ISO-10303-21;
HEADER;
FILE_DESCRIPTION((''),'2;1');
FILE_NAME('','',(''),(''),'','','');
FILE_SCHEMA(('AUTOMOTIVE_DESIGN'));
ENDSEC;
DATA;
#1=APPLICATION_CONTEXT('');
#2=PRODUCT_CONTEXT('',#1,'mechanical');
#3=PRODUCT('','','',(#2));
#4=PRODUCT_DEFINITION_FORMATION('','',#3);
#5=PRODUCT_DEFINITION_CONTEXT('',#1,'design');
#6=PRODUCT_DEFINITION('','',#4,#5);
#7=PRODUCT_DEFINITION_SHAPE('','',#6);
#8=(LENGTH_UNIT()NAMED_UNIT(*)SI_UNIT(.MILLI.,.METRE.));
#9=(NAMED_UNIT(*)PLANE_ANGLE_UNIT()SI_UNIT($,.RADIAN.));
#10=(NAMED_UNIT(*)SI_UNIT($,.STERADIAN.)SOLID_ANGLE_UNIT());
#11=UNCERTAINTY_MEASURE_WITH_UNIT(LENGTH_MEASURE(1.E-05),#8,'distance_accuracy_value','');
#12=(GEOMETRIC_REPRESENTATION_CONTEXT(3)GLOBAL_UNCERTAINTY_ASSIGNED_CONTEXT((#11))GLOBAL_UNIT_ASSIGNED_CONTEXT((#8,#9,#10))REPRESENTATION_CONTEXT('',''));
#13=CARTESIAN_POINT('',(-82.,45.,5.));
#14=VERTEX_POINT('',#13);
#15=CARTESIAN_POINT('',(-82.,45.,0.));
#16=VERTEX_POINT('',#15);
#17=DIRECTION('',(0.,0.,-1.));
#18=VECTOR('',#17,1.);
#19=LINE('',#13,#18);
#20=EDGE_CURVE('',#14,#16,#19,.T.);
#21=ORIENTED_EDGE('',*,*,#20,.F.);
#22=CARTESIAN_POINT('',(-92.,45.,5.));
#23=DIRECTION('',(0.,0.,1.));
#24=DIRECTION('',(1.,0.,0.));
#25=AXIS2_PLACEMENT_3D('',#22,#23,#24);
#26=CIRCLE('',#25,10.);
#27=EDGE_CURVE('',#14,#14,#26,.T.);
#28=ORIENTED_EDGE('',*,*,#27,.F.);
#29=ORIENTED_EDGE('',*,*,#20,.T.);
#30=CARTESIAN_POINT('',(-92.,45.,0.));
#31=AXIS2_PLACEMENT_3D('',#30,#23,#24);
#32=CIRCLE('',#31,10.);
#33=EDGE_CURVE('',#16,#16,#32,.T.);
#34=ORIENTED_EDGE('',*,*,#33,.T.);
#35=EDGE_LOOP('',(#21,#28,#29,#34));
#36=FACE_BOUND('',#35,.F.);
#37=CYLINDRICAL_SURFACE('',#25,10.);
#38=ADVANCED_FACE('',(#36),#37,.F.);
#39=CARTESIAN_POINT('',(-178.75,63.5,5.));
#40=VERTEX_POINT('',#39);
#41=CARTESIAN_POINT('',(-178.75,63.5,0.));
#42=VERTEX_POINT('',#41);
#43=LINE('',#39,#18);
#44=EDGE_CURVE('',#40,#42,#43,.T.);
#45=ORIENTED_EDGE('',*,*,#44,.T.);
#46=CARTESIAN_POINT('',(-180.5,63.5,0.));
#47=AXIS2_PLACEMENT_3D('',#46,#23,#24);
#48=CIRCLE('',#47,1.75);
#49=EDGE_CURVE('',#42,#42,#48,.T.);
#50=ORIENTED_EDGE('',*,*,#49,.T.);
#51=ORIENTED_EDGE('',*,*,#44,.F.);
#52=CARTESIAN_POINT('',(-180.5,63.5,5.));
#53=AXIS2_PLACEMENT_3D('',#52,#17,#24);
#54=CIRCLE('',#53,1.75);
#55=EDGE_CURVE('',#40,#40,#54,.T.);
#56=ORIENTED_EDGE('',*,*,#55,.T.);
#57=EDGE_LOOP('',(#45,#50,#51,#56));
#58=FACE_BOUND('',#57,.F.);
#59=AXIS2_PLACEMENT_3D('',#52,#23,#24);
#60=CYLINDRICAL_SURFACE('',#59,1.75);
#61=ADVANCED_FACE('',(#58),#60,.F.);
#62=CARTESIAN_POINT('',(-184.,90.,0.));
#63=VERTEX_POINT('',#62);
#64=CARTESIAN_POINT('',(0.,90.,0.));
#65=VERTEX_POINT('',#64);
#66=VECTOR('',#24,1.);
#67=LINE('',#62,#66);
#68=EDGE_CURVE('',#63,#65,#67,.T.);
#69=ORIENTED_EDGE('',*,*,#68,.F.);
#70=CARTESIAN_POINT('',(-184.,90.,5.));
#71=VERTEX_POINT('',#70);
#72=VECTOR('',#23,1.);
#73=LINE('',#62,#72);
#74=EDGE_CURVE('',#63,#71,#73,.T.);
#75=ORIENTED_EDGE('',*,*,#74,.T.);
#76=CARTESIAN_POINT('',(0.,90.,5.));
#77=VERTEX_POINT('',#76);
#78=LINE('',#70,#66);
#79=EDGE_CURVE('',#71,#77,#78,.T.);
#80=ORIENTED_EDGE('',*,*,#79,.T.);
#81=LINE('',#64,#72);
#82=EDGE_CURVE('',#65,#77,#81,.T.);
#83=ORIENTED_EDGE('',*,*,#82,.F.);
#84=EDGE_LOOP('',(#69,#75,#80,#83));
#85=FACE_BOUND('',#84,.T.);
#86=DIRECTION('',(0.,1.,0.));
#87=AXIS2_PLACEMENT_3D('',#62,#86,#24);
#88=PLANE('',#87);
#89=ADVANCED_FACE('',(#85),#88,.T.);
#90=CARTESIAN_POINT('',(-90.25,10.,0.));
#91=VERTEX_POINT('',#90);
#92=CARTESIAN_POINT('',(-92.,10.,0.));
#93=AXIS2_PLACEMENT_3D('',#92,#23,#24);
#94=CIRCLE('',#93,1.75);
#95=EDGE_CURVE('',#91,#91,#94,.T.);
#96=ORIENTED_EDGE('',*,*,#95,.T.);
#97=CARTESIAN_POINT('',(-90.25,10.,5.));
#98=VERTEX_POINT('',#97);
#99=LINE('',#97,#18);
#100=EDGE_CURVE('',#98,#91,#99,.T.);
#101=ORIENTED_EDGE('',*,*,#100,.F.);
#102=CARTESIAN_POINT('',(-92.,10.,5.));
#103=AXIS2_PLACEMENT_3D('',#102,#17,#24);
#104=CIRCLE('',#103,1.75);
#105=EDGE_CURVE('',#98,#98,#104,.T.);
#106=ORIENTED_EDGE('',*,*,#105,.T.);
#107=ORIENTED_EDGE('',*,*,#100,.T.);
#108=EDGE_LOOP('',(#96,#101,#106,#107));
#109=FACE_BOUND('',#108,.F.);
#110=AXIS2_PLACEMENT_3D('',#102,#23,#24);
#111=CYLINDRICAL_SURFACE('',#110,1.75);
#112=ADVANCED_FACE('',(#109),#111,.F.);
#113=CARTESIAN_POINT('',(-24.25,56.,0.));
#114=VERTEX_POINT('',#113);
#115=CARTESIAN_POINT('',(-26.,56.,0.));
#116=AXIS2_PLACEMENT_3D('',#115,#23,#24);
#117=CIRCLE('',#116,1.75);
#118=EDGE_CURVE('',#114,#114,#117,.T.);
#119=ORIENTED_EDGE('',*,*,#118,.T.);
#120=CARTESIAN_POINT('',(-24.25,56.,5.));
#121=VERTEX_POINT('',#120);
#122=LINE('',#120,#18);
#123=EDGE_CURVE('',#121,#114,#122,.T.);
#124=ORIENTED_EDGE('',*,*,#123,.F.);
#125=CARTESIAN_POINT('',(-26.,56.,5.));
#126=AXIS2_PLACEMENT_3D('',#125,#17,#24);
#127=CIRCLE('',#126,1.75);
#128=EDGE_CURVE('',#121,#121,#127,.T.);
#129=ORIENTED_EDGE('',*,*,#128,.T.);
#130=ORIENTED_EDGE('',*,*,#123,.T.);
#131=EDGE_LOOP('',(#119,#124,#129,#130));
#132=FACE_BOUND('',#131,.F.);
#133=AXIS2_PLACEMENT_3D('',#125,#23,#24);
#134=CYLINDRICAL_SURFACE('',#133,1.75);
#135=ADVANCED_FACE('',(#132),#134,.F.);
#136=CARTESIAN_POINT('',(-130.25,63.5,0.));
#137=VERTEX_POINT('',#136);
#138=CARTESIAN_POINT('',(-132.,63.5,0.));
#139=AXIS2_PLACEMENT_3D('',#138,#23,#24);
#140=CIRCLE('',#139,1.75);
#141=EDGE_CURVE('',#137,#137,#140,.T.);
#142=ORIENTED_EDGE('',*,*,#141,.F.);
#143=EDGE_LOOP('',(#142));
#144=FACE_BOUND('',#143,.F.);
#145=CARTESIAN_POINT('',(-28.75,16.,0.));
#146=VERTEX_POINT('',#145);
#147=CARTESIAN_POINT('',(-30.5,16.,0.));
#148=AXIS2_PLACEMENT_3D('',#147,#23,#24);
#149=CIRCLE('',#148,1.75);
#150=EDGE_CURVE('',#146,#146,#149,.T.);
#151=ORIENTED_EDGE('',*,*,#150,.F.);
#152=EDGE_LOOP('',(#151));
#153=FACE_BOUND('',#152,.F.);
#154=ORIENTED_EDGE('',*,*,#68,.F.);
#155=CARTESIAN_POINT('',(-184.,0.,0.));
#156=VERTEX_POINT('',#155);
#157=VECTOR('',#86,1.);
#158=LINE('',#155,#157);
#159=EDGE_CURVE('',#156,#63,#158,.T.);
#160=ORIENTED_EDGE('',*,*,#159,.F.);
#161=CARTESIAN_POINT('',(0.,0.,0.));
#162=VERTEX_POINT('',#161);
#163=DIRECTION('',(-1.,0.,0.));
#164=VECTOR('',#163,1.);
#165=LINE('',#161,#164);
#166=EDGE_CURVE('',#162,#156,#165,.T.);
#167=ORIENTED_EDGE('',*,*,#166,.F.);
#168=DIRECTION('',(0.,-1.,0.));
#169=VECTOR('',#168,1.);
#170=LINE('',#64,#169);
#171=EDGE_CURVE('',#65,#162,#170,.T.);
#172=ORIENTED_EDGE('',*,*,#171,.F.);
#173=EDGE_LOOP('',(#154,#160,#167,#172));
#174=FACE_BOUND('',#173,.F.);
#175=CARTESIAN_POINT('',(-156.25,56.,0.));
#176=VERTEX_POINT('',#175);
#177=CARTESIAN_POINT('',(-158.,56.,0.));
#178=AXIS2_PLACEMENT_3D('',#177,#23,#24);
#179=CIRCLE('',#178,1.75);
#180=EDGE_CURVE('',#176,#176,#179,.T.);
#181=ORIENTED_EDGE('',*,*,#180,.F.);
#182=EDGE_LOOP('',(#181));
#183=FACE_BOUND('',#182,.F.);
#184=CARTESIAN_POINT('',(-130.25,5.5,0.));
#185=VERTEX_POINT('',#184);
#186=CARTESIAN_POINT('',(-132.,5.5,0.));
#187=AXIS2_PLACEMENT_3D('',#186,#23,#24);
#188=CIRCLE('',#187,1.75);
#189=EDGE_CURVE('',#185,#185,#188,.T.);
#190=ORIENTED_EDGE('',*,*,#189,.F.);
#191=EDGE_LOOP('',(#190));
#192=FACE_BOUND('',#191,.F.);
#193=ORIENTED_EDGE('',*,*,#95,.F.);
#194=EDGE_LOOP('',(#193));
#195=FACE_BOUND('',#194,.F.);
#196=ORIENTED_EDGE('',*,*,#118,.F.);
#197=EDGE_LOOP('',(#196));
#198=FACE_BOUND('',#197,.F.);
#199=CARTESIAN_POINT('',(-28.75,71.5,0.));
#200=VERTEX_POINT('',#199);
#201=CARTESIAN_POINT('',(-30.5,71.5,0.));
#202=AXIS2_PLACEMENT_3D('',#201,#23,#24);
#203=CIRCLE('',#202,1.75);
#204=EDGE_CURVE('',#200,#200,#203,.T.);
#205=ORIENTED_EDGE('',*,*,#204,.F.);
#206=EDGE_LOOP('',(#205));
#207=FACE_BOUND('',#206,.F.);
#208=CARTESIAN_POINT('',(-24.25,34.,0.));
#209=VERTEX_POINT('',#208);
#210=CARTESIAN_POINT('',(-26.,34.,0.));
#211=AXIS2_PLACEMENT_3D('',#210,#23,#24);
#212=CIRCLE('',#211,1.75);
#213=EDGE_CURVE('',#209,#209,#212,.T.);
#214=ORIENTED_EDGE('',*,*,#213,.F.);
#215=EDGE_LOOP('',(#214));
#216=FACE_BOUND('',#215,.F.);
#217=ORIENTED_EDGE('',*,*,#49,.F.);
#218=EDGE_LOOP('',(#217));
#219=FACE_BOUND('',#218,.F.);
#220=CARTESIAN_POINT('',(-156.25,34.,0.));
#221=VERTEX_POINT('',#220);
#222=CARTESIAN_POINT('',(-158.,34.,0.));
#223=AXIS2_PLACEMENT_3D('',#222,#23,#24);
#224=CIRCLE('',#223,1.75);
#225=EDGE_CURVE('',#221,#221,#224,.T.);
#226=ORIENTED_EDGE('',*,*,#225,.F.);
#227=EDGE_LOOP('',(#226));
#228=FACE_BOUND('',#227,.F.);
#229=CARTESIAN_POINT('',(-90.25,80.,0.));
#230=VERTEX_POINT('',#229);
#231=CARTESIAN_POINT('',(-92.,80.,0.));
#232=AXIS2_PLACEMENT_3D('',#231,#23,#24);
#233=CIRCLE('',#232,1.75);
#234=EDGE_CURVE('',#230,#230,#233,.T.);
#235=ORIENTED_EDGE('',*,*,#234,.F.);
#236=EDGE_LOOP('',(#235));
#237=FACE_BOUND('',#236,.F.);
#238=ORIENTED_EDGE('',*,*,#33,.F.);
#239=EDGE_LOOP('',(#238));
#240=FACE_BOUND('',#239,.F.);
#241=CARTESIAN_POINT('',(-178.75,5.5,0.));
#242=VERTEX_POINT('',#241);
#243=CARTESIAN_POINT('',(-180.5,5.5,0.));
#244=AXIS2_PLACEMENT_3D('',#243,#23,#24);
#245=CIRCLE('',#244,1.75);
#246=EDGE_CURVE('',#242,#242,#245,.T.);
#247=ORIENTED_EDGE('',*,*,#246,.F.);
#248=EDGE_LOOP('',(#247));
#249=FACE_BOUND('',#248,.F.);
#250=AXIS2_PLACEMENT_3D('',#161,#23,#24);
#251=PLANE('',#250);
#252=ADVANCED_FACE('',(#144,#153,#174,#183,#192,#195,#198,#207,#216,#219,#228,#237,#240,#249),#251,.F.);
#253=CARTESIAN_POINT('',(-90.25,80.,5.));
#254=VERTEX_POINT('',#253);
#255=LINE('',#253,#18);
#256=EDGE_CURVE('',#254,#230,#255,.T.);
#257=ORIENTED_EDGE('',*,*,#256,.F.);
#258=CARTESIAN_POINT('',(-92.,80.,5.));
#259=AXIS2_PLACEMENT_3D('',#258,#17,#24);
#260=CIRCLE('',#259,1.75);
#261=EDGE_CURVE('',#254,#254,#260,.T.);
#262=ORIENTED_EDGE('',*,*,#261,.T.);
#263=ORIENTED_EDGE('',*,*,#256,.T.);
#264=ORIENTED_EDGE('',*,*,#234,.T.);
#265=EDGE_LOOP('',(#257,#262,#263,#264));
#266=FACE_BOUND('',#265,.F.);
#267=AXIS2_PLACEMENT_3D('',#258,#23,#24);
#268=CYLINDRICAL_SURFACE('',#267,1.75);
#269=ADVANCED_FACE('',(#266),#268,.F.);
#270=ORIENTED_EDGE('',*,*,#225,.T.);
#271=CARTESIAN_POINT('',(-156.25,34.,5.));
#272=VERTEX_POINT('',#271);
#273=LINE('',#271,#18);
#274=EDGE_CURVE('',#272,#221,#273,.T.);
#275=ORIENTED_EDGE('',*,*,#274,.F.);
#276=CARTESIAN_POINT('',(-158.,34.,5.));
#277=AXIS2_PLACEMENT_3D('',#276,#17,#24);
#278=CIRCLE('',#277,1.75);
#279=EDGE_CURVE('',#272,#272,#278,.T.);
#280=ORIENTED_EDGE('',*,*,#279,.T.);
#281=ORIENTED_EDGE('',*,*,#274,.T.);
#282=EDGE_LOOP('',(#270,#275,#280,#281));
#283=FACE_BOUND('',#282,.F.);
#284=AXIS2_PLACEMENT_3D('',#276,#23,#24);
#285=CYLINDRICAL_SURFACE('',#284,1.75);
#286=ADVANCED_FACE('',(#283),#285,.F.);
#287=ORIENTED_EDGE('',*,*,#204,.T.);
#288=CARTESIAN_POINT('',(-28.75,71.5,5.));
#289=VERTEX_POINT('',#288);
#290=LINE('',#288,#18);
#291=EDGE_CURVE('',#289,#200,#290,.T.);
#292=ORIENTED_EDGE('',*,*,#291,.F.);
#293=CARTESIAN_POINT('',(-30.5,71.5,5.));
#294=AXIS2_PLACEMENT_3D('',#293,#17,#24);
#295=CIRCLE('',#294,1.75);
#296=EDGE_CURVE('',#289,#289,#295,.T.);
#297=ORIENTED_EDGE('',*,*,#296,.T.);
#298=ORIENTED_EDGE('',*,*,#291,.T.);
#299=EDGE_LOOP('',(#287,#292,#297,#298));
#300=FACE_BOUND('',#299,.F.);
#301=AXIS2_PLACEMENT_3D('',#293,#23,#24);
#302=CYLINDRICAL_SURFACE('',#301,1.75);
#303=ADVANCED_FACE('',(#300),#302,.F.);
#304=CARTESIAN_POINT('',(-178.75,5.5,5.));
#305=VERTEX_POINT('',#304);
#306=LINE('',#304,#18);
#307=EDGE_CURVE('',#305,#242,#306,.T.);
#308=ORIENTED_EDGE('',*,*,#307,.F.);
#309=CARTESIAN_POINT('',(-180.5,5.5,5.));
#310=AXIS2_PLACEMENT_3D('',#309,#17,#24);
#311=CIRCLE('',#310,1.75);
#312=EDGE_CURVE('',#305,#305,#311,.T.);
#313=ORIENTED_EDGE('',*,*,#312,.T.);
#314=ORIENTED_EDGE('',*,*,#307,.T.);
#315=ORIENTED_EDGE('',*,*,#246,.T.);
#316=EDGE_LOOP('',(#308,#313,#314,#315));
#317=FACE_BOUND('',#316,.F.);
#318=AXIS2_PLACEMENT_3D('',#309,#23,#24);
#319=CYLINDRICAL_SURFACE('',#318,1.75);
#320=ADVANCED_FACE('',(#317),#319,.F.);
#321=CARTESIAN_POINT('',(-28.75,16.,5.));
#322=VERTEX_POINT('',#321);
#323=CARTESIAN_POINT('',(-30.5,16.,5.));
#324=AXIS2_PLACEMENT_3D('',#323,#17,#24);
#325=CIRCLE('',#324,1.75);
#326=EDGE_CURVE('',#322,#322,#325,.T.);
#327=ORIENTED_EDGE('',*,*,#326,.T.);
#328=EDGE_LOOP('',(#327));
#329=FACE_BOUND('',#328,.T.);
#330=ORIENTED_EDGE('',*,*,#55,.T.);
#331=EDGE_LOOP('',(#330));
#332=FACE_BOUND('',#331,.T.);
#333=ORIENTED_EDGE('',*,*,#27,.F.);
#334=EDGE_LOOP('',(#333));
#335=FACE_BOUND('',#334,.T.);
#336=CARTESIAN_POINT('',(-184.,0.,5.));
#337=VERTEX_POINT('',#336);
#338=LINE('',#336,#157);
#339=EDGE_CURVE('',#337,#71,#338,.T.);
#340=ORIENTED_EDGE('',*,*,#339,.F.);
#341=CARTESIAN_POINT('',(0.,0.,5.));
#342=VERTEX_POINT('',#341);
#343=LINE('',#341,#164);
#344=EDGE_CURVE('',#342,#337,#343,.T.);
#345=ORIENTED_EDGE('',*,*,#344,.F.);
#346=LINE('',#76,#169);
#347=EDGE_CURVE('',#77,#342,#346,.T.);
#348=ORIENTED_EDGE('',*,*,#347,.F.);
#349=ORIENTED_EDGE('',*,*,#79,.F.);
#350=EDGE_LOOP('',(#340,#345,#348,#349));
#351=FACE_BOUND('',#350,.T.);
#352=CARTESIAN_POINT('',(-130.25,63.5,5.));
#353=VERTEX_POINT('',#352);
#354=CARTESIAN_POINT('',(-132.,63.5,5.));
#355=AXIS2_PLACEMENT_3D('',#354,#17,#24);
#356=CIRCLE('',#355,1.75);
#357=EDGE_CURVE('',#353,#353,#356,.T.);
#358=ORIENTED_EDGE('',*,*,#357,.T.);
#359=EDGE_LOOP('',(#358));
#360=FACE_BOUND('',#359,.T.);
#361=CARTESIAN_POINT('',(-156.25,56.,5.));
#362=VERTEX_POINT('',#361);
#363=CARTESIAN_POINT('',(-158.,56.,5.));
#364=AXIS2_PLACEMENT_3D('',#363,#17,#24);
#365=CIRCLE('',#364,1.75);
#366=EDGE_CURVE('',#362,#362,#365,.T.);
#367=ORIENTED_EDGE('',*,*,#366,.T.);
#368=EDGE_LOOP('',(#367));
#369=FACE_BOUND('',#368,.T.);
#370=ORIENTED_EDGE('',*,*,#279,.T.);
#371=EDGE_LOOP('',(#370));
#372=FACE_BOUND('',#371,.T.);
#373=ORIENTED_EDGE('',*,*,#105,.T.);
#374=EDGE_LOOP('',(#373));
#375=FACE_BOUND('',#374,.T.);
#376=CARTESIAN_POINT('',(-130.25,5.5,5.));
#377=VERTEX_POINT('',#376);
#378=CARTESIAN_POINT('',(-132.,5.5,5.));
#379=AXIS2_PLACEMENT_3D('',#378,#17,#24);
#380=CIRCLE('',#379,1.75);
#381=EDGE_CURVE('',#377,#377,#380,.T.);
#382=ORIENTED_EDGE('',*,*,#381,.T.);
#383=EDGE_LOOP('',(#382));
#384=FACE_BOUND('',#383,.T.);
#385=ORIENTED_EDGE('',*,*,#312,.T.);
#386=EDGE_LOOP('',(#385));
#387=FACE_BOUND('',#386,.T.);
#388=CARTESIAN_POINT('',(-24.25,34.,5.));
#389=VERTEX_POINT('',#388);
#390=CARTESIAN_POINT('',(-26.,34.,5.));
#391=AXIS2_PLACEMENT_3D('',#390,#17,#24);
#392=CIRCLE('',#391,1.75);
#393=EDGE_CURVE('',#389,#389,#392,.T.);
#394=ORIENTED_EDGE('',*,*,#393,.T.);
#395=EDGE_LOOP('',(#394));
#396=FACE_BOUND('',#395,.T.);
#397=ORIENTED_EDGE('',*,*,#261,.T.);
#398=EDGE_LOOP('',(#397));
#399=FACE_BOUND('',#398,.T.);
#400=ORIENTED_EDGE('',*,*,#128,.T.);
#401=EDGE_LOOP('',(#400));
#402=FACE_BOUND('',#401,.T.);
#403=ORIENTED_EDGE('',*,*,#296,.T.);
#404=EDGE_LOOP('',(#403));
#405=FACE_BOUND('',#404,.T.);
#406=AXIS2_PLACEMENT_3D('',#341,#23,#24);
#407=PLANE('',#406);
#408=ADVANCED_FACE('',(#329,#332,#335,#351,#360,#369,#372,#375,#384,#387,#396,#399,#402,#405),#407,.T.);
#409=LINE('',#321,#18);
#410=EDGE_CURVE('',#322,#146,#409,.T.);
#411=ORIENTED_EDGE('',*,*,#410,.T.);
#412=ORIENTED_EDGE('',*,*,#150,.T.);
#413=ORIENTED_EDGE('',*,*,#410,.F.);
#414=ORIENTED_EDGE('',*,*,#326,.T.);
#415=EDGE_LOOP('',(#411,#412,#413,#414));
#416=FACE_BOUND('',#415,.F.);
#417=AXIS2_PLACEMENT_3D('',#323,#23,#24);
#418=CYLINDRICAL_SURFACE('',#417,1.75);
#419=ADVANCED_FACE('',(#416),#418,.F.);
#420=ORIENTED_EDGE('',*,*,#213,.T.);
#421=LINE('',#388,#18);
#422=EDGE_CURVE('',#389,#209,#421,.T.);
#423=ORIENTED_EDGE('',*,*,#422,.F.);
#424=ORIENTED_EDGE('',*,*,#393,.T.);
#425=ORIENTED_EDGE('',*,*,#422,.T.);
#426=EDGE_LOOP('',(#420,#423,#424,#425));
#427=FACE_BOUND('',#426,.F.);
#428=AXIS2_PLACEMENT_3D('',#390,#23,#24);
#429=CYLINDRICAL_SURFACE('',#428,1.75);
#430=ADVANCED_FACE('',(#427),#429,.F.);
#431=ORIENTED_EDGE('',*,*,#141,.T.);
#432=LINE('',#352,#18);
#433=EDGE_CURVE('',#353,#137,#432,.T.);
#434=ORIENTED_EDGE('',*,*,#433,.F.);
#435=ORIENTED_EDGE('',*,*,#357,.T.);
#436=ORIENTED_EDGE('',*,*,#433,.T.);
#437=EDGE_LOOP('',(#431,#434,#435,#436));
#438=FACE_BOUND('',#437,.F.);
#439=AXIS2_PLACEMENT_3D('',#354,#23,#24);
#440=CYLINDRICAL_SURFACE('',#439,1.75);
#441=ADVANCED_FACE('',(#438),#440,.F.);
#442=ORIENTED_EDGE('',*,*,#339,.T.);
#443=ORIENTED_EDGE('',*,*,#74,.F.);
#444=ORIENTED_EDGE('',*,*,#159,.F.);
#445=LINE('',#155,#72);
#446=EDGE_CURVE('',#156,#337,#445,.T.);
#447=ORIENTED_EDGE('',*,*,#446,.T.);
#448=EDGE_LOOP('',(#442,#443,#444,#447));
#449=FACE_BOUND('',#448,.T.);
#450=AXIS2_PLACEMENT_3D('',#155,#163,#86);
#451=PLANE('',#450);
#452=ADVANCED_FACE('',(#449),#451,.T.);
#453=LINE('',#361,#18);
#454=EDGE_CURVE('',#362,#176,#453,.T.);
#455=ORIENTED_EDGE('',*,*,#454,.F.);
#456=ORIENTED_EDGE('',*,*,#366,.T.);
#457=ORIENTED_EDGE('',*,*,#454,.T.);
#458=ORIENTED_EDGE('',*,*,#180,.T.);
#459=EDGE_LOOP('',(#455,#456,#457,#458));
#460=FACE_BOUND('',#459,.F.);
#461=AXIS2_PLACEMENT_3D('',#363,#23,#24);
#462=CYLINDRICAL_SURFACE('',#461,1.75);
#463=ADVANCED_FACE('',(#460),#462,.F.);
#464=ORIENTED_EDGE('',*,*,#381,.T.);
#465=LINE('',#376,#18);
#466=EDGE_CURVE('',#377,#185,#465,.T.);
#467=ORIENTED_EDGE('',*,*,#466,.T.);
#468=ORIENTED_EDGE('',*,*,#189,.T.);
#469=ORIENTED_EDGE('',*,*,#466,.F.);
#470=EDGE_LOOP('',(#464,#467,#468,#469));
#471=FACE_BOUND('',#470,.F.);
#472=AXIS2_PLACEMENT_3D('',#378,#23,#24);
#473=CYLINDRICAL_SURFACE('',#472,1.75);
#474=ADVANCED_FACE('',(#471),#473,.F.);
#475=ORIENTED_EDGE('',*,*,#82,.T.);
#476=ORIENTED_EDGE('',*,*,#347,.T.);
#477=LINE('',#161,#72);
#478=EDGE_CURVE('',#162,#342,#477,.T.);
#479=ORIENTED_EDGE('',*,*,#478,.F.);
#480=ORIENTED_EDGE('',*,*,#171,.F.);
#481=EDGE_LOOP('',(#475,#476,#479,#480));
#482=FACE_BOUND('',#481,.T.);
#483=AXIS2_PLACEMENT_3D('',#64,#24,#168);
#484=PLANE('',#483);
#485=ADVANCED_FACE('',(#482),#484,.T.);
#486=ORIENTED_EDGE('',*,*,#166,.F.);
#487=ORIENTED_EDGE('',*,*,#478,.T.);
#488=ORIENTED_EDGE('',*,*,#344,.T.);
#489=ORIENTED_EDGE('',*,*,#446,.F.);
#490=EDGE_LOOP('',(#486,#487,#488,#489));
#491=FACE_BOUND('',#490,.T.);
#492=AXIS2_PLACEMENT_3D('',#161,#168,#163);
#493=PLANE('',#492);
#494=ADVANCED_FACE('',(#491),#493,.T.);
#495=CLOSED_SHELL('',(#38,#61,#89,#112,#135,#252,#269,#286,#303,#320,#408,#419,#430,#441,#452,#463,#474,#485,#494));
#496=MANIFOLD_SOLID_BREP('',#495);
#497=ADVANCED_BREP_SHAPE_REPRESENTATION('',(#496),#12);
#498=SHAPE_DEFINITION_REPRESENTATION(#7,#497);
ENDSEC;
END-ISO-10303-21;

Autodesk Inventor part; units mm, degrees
ref_plane "YZ Plane" through (0, 0, 0) normal (1, 0, 0) x (0, 1, 0)
ref_plane "XZ Plane" through (0, 0, 0) normal (0, 1, 0) x (-1, 0, 0)
ref_plane "XY Plane" through (0, 0, 0) normal (0, 0, 1) x (1, 0, 0)
sketch "Эскиз1" plane through (0, 0, 0) normal (0, 0, 1) x (1, 0, 0)
  line L0 (0, 0) -> (-184, 0)
  line L1 (-184, 0) -> (-184, 90)
  line L2 (-184, 90) -> (0, 90)
  line L3 (0, 90) -> (0, 0)
  dimension "d0" = 184
  dimension "d1" = 90
extrude "Выдавливание1" add sketch "Эскиз1" along normal blind 5
sketch "Эскиз2" plane through (0, 0, 5) normal (0, 0, 1) x (1, 0, 0)
  line L0 (0, 90) -> (-184, 90) projected
  line L1 (-26, 45) -> (-26, 56)
  line L2 (-26, 56) -> (-158, 56)
  line L3 (-158, 56) -> (-158, 34)
  line L4 (-158, 34) -> (-26, 34)
  line L5 (-26, 34) -> (-26, 56)
  circle A0 centre (-158, 56) radius 1.75
  circle A1 centre (-26, 56) radius 1.75
  circle A2 centre (-26, 34) radius 1.75
  circle A3 centre (-158, 34) radius 1.75
  point P0 (0, 0)
  dimension "d43" = 11
  dimension "d44" = 132
  dimension "d45" = 22
  dimension "d46" = 3.5
  dimension "d47" = 3.5
  dimension "d48" = 3.5
  dimension "d49" = 3.5
extrude "Выдавливание2" cut sketch "Эскиз2" against normal blind 5 contours A1 L2 L1 | L1 L2 A1 | A2 L4 L5 | L5 L4 A2 | A0 L3 L2 | L2 L3 A0 | A3 L3 L4 | L4 L3 A3
sketch "Эскиз8" plane through (0, 0, 5) normal (0, 0, 1) x (1, 0, 0)
  line L0 (-184, 0) -> (-184, 90) projected
  line L1 (-184, 0) -> (-92, 0)
  line L2 (0, 0) -> (-184, 0) projected
  line L3 (-92, 0) -> (-92, 10)
  line L4 (-92, 10) -> (-92, 80)
  circle A0 centre (-92, 80) radius 1.75
  circle A1 centre (-92, 10) radius 1.75
  dimension "d52" = 92
  dimension "d53" = 10
  dimension "d54" = 70
  dimension "d55" = 3.5
  dimension "d56" = 3.5
extrude "Выдавливание3" cut sketch "Эскиз8" against normal blind 5
sketch "Эскиз9" plane through (0, 0, 5) normal (0, 0, 1) x (1, 0, 0)
  line L0 (0, 90) -> (0, 85)
  line L1 (0, 90) -> (0, 0) projected
  line L2 (-60, 85) -> (-60, 5)
  line L3 (-60, 5) -> (0, 5)
  line L4 (0, 5) -> (0, 85)
  line L5 (-184, 90) -> (-184, 87.5)
  line L6 (-184, 0) -> (-184, 90) projected
  line L7 (-184, 0) -> (-184, 2.5)
  line L8 (-129, 87.5) -> (-129, 2.5)
  line L9 (-129, 2.5) -> (-184, 2.5)
  line L10 (-184, 2.5) -> (-184, 87.5)
  line L11 (-60, 77) -> (-129, 77)
  line L12 (-129, 87.5) -> (-129, 63.5)
  line L13 (-129, 63.5) -> (-132, 63.5)
  circle A0 centre (-132, 63.5) radius 1.75
  circle A1 centre (-180.5, 63.5) radius 1.75
  circle A2 centre (-132, 5.5) radius 1.75
  circle A3 centre (-180.5, 5.5) radius 1.75
  line L14 (-180.5, 63.5) -> (-180.5, 5.5)
  line L15 (-180.5, 5.5) -> (-132, 5.5)
  line L16 (-132, 5.5) -> (-132, 63.5)
  line L17 (-60, 5) -> (-30.5, 5)
  line L18 (-30.5, 5) -> (-30.5, 16)
  circle A4 centre (-30.5, 16) radius 1.75
  line L19 (-30.5, 16) -> (-30.5, 71.5)
  circle A5 centre (-30.5, 71.5) radius 1.75
  dimension "d61" = 5
  dimension "d62" = 60
  dimension "d63" = 80
  dimension "d64" = 2.5
  dimension "d65" = 2.5
  dimension "d66" = 55
  dimension "d67" = 85
  dimension "d69" = 69
  dimension "d70" = 24
  dimension "d71" = 3
  dimension "d72" = 3.5
  dimension "d75" = 3.5
  dimension "d76" = 3.5
  dimension "d77" = 3.5
  dimension "d78" = 58
  dimension "d79" = 48.5
  dimension "d80" = 29.5
  dimension "d81" = 11
  dimension "d82" = 3.5
  dimension "d83" = 55.5
  dimension "d84" = 3.5
extrude "Выдавливание4" cut sketch "Эскиз9" against normal blind 5
sketch "Эскиз10" plane through (0, 0, 5) normal (0, 0, 1) x (1, 0, 0)
  line L0 (0, 0) -> (-184, 0) projected
  circle A0 centre (-92, 45) radius 10
  dimension "d89" = 20
extrude "Выдавливание5" cut sketch "Эскиз10" against normal blind 5
